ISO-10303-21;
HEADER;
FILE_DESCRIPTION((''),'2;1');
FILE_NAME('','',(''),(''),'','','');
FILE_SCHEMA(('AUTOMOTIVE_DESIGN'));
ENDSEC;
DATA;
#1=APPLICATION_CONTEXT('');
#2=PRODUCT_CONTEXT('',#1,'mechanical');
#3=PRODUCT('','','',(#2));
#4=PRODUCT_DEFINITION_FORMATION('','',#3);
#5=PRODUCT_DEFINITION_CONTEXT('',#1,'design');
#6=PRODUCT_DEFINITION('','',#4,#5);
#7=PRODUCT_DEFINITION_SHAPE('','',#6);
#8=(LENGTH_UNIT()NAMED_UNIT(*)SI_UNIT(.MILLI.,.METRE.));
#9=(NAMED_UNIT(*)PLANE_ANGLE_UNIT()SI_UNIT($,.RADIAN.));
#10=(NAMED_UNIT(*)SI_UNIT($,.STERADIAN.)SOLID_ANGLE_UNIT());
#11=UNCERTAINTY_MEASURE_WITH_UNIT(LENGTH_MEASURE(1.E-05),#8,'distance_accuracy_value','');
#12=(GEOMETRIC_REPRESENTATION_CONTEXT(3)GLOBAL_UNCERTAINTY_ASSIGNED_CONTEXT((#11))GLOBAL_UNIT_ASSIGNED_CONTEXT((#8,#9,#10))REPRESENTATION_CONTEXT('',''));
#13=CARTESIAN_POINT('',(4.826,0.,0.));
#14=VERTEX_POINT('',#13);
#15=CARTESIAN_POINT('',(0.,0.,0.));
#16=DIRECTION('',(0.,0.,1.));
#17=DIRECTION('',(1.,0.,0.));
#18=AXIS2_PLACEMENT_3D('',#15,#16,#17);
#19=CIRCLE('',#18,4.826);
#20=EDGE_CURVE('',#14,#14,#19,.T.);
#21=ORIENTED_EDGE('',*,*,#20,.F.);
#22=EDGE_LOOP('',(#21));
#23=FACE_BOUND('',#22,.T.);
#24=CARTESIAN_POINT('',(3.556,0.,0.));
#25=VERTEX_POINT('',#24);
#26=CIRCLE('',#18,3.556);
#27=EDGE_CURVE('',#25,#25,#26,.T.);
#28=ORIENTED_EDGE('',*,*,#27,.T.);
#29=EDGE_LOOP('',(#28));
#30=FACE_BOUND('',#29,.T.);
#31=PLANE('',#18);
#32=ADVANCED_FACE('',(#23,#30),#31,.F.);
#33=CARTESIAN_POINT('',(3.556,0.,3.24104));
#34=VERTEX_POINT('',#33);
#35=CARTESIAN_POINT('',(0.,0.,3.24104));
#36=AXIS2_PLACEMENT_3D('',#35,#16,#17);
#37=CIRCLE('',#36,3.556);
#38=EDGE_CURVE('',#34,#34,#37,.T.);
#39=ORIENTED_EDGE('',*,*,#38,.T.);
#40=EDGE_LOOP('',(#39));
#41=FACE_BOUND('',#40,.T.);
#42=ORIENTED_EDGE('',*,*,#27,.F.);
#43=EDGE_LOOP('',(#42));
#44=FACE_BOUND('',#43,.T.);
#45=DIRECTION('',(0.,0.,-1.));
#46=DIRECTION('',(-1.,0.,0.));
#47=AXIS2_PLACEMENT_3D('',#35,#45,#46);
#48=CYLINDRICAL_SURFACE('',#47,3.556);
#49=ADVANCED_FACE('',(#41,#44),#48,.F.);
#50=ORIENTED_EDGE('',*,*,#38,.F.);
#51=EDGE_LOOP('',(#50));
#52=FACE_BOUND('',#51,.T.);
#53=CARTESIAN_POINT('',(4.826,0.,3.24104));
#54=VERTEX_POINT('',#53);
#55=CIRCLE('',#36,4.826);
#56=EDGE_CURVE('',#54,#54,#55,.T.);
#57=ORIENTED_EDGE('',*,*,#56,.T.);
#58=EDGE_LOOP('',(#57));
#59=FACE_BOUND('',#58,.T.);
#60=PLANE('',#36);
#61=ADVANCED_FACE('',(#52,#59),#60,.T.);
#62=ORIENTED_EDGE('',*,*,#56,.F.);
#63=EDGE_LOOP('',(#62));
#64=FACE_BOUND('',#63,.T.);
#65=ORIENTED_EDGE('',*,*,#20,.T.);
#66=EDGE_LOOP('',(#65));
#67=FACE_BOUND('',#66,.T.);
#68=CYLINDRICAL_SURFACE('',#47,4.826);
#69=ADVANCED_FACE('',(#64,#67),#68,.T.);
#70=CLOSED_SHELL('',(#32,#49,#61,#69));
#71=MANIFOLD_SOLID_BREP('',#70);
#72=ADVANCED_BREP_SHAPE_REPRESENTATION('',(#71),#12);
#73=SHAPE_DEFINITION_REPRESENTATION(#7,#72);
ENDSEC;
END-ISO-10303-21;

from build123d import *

# Parameters (mm, degrees)
SKETCH1_R           = 4.826
SKETCH1_R_2         = 3.556
BOSS_EXTRUDE1_DEPTH = 3.24104


with BuildPart() as part:
    # Sketch1 → Boss-Extrude1 (new body)
    with BuildSketch(Plane.XY):
        Circle(SKETCH1_R)
        Circle(SKETCH1_R_2, mode=Mode.SUBTRACT)
    extrude(amount=BOSS_EXTRUDE1_DEPTH)


solid = part.part
